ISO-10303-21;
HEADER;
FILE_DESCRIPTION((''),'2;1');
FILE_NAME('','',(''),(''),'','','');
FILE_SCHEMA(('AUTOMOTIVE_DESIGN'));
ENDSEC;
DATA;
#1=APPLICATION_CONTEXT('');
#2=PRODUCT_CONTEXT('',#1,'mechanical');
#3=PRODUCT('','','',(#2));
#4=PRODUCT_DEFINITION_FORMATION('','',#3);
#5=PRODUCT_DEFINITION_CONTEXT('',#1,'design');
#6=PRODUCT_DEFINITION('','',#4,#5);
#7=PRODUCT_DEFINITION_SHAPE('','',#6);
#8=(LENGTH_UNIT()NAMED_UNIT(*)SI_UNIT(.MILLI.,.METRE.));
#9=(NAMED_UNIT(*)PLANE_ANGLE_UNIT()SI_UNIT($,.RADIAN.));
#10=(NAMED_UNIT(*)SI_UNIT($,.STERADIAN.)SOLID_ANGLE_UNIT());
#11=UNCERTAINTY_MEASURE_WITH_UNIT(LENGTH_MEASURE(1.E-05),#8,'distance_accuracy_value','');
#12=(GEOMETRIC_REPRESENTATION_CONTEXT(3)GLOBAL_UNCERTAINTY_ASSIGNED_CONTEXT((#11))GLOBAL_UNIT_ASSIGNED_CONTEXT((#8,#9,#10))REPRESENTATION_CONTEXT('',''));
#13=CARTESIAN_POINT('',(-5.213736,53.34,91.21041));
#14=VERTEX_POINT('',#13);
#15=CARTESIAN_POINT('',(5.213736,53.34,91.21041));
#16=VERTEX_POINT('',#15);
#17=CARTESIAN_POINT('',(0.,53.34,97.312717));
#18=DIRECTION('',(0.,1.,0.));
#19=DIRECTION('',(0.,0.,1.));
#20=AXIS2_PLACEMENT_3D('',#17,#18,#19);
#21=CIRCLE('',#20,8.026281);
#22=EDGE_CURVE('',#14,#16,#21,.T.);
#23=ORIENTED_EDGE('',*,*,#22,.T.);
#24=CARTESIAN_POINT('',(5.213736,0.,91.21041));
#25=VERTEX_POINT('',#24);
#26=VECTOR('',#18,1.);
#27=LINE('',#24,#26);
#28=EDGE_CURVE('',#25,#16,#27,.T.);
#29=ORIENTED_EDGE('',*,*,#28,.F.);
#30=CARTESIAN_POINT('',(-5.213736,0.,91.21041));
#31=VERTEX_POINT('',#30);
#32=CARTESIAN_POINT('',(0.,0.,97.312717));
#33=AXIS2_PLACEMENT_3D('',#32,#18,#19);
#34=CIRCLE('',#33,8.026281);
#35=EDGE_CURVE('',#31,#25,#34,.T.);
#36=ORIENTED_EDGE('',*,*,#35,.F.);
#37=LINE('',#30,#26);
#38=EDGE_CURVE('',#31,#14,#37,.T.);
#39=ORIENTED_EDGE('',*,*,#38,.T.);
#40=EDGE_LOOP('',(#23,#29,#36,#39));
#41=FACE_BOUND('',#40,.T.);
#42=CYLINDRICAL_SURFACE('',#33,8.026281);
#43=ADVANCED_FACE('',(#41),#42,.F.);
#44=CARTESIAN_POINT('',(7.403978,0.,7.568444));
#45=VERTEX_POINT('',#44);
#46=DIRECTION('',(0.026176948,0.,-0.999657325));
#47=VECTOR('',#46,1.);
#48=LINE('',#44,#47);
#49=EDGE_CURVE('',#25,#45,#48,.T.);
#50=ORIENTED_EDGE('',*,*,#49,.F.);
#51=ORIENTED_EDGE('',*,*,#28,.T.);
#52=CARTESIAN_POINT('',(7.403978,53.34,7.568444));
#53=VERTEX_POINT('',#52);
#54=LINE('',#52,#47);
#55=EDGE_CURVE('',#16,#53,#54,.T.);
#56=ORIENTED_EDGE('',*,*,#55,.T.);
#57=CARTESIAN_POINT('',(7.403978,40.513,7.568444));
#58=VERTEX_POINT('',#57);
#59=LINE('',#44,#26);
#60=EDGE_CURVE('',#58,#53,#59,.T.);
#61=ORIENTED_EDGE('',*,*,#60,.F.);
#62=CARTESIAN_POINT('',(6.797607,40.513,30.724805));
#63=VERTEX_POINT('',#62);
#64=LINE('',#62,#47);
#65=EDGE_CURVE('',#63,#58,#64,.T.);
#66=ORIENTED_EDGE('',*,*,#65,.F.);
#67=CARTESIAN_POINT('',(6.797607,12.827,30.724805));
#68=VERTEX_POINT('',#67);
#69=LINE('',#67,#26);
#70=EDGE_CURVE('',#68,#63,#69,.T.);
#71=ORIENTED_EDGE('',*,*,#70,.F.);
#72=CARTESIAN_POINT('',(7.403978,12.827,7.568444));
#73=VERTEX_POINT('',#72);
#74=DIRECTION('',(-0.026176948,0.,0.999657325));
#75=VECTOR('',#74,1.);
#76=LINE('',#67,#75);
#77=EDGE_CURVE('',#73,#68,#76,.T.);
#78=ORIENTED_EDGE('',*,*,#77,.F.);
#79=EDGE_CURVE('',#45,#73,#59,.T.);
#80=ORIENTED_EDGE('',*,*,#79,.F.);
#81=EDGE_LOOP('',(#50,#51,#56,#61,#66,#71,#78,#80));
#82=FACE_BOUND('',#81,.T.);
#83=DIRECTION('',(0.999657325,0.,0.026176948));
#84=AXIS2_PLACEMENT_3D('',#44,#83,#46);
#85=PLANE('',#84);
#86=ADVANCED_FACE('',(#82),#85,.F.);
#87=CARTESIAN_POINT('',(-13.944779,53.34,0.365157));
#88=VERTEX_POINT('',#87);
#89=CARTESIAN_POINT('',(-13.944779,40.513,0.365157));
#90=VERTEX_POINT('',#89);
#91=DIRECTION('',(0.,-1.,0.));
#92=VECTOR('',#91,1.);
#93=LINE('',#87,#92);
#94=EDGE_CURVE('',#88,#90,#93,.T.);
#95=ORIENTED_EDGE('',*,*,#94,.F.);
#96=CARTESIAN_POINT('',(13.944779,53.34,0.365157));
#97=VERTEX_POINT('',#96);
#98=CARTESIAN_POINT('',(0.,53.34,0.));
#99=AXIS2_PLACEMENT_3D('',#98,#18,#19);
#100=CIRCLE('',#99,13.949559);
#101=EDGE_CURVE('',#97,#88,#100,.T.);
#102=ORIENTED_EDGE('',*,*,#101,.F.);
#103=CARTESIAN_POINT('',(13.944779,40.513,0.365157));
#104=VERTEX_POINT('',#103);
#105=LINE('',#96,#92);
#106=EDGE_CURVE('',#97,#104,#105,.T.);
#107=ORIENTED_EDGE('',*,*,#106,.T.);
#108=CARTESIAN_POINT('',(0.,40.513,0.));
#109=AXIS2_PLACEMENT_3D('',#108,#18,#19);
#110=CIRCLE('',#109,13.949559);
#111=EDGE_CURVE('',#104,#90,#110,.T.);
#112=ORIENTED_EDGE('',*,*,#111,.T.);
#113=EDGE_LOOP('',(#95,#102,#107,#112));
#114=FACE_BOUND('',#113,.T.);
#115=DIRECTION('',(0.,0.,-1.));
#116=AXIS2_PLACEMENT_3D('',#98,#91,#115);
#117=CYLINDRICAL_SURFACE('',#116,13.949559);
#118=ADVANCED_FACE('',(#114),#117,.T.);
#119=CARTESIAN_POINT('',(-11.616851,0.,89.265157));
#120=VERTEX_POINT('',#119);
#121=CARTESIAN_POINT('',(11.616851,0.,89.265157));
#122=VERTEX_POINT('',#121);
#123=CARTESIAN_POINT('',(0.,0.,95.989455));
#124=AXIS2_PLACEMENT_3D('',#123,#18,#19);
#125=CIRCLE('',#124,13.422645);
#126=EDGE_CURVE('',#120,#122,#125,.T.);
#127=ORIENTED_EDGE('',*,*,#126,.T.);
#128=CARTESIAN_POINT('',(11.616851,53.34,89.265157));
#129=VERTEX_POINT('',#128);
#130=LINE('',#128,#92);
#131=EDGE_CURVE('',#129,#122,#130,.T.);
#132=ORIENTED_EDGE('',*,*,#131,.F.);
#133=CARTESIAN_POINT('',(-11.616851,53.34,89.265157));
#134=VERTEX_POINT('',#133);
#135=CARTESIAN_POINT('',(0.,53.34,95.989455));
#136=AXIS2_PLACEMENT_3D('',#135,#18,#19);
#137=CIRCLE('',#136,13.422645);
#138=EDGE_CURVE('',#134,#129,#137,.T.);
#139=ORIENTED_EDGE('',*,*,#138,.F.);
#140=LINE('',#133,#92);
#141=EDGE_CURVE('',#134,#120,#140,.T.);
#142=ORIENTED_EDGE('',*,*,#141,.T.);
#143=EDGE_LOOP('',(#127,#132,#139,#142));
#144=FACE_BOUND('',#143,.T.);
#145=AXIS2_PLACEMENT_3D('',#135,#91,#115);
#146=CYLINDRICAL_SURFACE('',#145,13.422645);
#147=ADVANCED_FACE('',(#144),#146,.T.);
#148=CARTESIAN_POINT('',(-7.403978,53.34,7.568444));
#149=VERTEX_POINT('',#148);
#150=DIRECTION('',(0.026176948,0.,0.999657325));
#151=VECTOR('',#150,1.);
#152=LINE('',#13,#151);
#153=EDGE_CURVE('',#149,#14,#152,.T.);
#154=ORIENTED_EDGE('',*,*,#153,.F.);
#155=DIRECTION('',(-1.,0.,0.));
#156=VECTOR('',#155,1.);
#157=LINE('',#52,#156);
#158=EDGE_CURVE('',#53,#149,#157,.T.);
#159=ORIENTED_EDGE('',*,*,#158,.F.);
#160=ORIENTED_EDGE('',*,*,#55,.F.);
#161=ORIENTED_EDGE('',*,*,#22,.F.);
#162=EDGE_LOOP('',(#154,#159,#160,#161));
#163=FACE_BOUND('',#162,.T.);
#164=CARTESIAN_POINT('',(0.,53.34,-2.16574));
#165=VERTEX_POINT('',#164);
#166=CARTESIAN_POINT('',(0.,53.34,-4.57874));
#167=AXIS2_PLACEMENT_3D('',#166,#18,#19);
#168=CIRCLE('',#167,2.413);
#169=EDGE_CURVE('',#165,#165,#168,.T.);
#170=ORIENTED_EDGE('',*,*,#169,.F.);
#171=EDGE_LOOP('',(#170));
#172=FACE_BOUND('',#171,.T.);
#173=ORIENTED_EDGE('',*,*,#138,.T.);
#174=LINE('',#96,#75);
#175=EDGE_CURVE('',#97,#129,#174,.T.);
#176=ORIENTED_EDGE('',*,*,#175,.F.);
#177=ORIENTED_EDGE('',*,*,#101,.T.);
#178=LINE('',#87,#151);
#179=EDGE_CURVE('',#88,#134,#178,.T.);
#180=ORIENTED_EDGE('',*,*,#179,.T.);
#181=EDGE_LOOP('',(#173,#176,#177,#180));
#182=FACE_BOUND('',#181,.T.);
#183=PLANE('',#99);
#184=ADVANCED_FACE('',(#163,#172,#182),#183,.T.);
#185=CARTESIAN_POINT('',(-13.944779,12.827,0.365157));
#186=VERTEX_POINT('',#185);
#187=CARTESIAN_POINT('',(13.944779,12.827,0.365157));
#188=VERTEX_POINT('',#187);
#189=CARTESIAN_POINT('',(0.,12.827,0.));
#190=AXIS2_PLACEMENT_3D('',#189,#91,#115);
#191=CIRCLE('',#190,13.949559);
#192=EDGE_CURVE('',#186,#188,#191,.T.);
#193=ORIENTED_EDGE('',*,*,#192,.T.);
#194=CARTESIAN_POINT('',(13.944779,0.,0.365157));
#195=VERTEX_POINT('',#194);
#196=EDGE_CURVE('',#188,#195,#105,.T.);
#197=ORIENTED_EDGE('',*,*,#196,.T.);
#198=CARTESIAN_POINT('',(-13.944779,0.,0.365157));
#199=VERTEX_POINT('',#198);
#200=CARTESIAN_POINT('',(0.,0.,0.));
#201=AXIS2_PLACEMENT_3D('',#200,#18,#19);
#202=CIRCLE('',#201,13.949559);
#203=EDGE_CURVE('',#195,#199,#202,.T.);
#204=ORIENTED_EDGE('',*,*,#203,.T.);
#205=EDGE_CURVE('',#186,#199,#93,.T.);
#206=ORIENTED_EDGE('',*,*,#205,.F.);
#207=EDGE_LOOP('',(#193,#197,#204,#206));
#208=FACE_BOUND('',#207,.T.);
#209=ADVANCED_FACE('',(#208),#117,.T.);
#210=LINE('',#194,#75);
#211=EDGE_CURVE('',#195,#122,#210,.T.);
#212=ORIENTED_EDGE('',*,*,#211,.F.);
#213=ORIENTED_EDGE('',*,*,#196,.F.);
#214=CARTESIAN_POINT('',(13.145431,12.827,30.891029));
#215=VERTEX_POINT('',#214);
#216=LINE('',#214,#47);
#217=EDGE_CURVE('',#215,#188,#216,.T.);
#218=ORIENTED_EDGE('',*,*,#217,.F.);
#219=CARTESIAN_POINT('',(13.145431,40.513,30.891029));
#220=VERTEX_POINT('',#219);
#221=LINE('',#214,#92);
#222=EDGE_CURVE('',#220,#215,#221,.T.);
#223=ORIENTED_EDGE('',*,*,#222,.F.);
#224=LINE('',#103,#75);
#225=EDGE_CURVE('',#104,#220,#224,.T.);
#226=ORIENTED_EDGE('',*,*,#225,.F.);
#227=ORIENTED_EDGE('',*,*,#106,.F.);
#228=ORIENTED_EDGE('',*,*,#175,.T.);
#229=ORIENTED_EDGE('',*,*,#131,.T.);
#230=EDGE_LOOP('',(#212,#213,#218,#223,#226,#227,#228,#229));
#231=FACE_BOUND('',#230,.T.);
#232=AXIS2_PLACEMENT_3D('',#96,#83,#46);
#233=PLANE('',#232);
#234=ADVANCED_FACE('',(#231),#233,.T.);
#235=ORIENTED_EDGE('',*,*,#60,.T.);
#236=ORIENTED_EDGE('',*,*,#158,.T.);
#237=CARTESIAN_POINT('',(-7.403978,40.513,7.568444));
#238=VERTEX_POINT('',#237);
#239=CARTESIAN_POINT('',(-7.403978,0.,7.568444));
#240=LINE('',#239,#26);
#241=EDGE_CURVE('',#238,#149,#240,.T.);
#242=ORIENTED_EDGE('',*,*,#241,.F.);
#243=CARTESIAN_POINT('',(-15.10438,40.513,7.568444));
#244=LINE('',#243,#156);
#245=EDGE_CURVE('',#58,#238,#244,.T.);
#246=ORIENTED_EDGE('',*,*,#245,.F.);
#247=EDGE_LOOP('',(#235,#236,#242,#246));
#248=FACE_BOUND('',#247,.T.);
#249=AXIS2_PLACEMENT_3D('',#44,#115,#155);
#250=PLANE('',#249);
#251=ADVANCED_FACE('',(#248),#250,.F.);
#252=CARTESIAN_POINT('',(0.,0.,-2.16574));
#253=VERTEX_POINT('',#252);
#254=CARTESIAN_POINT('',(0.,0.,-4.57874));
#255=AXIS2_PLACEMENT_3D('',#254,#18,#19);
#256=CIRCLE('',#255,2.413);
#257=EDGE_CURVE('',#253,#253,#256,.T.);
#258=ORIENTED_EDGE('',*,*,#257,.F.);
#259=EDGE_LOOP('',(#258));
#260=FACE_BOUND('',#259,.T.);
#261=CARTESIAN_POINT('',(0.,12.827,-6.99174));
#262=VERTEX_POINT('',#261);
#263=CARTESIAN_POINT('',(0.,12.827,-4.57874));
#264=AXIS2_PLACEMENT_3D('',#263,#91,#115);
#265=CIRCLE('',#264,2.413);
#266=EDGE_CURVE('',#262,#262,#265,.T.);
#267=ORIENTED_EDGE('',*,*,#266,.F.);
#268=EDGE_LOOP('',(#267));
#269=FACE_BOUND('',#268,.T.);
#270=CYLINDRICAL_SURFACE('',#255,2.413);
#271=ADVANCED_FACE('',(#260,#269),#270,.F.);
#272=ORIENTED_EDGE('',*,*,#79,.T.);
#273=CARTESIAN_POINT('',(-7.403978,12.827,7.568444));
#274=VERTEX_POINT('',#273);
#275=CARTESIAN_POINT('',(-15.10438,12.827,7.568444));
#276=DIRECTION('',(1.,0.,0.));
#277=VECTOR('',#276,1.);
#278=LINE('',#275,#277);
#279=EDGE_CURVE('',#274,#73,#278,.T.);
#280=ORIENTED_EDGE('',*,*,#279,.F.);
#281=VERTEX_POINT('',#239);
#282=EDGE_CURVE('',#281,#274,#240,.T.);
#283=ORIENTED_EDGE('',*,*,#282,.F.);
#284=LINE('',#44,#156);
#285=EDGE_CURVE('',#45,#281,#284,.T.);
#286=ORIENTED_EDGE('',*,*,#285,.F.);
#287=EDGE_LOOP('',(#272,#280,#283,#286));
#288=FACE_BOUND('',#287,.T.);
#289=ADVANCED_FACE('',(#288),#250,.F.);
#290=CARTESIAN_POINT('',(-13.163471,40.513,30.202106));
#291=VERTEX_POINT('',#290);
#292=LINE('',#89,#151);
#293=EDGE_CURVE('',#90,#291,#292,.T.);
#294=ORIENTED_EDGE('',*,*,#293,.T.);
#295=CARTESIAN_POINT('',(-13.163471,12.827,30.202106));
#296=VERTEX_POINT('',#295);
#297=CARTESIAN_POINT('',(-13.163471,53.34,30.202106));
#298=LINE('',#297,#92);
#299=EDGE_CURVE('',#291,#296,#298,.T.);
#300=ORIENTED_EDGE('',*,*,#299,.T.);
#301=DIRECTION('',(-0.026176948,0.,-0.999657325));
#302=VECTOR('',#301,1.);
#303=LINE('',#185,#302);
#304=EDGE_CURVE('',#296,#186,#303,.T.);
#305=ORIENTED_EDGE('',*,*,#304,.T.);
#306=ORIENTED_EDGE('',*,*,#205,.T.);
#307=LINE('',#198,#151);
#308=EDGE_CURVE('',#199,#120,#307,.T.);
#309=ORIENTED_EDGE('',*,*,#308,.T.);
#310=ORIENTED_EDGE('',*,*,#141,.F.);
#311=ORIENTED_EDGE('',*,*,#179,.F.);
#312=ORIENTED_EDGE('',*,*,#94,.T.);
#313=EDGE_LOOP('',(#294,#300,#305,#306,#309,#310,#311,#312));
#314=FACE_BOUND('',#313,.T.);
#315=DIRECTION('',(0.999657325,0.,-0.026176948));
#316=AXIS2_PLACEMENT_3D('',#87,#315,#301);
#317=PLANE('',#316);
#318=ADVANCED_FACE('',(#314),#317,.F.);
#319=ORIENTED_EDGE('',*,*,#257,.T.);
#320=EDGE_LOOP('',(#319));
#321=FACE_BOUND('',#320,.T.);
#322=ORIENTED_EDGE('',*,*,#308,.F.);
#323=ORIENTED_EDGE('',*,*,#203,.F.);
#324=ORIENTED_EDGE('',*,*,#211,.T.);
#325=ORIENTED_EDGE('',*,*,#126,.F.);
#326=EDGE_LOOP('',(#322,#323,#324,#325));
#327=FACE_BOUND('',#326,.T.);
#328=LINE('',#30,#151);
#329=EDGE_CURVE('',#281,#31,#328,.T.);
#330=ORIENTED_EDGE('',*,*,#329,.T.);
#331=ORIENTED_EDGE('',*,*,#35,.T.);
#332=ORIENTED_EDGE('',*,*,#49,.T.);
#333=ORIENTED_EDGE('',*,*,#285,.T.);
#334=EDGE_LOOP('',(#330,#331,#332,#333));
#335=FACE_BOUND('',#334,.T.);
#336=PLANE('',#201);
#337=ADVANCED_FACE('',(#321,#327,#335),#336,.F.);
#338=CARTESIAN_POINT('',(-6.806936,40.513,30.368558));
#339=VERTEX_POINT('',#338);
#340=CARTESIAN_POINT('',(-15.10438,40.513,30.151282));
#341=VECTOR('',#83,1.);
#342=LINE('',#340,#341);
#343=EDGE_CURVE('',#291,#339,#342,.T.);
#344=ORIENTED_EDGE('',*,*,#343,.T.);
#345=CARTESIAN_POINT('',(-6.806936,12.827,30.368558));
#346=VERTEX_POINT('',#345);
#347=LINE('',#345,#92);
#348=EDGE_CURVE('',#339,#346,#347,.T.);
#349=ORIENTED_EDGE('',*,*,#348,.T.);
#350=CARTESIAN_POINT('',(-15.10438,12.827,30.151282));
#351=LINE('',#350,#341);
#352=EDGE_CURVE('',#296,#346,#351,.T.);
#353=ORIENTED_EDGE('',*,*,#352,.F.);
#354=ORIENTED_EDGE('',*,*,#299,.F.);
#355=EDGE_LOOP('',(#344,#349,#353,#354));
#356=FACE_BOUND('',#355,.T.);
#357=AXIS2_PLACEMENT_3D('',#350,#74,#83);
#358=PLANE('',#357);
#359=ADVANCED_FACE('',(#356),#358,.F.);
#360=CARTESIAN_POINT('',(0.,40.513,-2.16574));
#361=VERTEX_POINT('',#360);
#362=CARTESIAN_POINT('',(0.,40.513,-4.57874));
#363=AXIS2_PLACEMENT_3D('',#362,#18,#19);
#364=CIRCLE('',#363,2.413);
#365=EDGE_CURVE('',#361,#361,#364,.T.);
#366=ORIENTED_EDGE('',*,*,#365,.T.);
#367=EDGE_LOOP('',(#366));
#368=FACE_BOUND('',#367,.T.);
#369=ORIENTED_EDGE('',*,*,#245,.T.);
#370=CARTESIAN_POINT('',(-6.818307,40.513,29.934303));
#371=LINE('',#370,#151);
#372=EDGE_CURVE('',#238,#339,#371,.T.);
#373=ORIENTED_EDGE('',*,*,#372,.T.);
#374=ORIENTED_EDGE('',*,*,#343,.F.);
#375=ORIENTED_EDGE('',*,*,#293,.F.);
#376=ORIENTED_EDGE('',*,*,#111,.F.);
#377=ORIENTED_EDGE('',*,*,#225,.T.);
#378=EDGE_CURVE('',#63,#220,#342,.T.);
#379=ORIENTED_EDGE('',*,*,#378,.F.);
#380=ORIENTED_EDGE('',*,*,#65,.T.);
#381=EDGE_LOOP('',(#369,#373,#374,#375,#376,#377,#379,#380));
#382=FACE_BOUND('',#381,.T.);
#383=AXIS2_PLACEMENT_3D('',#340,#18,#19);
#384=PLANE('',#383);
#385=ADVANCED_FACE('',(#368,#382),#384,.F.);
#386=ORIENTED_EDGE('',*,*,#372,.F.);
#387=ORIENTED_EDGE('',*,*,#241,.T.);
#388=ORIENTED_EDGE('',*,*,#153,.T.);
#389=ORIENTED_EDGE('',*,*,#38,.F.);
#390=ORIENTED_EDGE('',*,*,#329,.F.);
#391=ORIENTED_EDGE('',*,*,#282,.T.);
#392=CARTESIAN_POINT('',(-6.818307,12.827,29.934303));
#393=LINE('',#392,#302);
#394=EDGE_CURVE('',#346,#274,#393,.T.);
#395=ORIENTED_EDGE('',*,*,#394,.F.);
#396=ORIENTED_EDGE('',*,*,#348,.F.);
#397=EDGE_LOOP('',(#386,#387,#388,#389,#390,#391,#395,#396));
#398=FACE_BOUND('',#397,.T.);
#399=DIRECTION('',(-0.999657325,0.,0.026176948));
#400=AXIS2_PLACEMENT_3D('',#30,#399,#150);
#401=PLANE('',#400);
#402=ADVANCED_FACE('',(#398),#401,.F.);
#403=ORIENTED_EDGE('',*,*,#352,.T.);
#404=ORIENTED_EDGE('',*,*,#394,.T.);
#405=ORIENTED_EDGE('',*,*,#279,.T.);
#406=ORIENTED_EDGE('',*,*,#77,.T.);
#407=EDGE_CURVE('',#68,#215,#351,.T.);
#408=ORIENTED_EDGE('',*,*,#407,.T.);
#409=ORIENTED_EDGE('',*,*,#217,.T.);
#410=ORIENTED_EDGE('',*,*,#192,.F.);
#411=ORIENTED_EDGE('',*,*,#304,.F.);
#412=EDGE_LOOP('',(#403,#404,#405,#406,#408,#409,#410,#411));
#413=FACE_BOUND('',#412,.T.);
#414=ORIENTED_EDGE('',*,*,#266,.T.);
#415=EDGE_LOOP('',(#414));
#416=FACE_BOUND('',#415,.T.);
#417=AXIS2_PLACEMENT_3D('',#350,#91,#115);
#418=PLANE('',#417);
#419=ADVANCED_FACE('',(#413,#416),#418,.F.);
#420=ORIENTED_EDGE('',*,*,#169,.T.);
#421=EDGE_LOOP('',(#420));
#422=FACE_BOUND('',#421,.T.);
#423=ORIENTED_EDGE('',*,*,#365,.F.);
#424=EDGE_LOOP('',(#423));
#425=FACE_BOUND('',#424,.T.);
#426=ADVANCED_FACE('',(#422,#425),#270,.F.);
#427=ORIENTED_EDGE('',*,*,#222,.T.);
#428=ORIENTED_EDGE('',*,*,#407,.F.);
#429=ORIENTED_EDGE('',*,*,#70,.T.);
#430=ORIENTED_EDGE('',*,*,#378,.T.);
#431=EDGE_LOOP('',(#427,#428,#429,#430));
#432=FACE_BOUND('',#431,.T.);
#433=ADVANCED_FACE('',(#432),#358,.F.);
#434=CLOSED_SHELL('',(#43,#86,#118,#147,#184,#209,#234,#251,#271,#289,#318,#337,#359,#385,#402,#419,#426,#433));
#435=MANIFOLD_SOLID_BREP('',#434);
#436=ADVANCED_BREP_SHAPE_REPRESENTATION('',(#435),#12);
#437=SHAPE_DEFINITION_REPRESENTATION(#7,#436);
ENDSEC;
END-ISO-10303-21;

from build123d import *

# Parameters (mm, degrees)
BOSS_EXTRUDE1_DEPTH = 53.34
SKETCH4_W           = 61.072672184
SKETCH4_H           = 27.686
CUT_EXTRUDE3_DEPTH  = 29.259495037
SKETCH5_OUTSIDE_W   = 57.352
SKETCH5_OUTSIDE_H   = 152.814
CUT_EXTRUDE5_DEPTH  = 54.34
SKETCH6_R           = 2.413
CUT_EXTRUDE6_DEPTH  = 54.34


with BuildPart() as part:
    # Sketch1 → Boss-Extrude1 (new body)
    with BuildSketch(Plane(origin=(0, 0, 0), x_dir=(1, 0, 0), z_dir=(0, 1, 0))):
        with BuildLine():
            Line((-13.944778991, -0.365156889), (-11.616850564, -89.265156889))
            ThreePointArc((-11.616850564, -89.265156889), (0, -109.412099434), (11.616850564, -89.265156889))
            Line((11.616850564, -89.265156889), (13.944778991, -0.365156889))
            ThreePointArc((13.944778991, -0.365156889), (0, 13.949559157), (-13.944778991, -0.365156889))
        make_face()
    extrude(amount=BOSS_EXTRUDE1_DEPTH)

    # Sketch4 → Cut-Extrude3 (cut, through all)
    with BuildSketch(Plane(origin=(13.944778991, 0, 0.365156889), x_dir=(0.026176948, 0, -0.999657325), z_dir=(0.999657325, 0, 0.026176948))):
        with Locations((0, 26.67)):
            Rectangle(SKETCH4_W, SKETCH4_H)
    extrude(amount=-CUT_EXTRUDE3_DEPTH, mode=Mode.SUBTRACT)

    # Sketch5 outside → Cut-Extrude5 (cut, through all)
    with BuildSketch(Plane(origin=(0, 53.34, 0), x_dir=(1, 0, 0), z_dir=(0, 1, 0))):
        with Locations((0, -47.731)):
            Rectangle(SKETCH5_OUTSIDE_W, SKETCH5_OUTSIDE_H)
        with BuildLine():
            Line((-13.944778991, -0.365156889), (-11.616850564, -89.265156889))
            ThreePointArc((-11.616850564, -89.265156889), (0, -109.412099434), (11.616850564, -89.265156889))
            Line((11.616850564, -89.265156889), (13.944778991, -0.365156889))
            ThreePointArc((13.944778991, -0.365156889), (0, 13.949559157), (-13.944778991, -0.365156889))
        make_face(mode=Mode.SUBTRACT)
        with BuildLine():
            Line((7.403977553, -7.568443783), (5.213735587, -91.210409969))
            ThreePointArc((5.213735587, -91.210409969), (0, -105.33899845), (-5.213735587, -91.210409969))
            Line((-5.213735587, -91.210409969), (-7.403977553, -7.568443783))
            Line((-7.403977553, -7.568443783), (7.403977553, -7.568443783))
        make_face()
    extrude(amount=-CUT_EXTRUDE5_DEPTH, mode=Mode.SUBTRACT)

    # Sketch6 → Cut-Extrude6 (cut, through all)
    with BuildSketch(Plane(origin=(0, 53.34, 0), x_dir=(1, 0, 0), z_dir=(0, 1, 0))):
        with Locations((0, 4.57874024)):
            Circle(SKETCH6_R)
    extrude(amount=-CUT_EXTRUDE6_DEPTH, mode=Mode.SUBTRACT)


solid = part.part
